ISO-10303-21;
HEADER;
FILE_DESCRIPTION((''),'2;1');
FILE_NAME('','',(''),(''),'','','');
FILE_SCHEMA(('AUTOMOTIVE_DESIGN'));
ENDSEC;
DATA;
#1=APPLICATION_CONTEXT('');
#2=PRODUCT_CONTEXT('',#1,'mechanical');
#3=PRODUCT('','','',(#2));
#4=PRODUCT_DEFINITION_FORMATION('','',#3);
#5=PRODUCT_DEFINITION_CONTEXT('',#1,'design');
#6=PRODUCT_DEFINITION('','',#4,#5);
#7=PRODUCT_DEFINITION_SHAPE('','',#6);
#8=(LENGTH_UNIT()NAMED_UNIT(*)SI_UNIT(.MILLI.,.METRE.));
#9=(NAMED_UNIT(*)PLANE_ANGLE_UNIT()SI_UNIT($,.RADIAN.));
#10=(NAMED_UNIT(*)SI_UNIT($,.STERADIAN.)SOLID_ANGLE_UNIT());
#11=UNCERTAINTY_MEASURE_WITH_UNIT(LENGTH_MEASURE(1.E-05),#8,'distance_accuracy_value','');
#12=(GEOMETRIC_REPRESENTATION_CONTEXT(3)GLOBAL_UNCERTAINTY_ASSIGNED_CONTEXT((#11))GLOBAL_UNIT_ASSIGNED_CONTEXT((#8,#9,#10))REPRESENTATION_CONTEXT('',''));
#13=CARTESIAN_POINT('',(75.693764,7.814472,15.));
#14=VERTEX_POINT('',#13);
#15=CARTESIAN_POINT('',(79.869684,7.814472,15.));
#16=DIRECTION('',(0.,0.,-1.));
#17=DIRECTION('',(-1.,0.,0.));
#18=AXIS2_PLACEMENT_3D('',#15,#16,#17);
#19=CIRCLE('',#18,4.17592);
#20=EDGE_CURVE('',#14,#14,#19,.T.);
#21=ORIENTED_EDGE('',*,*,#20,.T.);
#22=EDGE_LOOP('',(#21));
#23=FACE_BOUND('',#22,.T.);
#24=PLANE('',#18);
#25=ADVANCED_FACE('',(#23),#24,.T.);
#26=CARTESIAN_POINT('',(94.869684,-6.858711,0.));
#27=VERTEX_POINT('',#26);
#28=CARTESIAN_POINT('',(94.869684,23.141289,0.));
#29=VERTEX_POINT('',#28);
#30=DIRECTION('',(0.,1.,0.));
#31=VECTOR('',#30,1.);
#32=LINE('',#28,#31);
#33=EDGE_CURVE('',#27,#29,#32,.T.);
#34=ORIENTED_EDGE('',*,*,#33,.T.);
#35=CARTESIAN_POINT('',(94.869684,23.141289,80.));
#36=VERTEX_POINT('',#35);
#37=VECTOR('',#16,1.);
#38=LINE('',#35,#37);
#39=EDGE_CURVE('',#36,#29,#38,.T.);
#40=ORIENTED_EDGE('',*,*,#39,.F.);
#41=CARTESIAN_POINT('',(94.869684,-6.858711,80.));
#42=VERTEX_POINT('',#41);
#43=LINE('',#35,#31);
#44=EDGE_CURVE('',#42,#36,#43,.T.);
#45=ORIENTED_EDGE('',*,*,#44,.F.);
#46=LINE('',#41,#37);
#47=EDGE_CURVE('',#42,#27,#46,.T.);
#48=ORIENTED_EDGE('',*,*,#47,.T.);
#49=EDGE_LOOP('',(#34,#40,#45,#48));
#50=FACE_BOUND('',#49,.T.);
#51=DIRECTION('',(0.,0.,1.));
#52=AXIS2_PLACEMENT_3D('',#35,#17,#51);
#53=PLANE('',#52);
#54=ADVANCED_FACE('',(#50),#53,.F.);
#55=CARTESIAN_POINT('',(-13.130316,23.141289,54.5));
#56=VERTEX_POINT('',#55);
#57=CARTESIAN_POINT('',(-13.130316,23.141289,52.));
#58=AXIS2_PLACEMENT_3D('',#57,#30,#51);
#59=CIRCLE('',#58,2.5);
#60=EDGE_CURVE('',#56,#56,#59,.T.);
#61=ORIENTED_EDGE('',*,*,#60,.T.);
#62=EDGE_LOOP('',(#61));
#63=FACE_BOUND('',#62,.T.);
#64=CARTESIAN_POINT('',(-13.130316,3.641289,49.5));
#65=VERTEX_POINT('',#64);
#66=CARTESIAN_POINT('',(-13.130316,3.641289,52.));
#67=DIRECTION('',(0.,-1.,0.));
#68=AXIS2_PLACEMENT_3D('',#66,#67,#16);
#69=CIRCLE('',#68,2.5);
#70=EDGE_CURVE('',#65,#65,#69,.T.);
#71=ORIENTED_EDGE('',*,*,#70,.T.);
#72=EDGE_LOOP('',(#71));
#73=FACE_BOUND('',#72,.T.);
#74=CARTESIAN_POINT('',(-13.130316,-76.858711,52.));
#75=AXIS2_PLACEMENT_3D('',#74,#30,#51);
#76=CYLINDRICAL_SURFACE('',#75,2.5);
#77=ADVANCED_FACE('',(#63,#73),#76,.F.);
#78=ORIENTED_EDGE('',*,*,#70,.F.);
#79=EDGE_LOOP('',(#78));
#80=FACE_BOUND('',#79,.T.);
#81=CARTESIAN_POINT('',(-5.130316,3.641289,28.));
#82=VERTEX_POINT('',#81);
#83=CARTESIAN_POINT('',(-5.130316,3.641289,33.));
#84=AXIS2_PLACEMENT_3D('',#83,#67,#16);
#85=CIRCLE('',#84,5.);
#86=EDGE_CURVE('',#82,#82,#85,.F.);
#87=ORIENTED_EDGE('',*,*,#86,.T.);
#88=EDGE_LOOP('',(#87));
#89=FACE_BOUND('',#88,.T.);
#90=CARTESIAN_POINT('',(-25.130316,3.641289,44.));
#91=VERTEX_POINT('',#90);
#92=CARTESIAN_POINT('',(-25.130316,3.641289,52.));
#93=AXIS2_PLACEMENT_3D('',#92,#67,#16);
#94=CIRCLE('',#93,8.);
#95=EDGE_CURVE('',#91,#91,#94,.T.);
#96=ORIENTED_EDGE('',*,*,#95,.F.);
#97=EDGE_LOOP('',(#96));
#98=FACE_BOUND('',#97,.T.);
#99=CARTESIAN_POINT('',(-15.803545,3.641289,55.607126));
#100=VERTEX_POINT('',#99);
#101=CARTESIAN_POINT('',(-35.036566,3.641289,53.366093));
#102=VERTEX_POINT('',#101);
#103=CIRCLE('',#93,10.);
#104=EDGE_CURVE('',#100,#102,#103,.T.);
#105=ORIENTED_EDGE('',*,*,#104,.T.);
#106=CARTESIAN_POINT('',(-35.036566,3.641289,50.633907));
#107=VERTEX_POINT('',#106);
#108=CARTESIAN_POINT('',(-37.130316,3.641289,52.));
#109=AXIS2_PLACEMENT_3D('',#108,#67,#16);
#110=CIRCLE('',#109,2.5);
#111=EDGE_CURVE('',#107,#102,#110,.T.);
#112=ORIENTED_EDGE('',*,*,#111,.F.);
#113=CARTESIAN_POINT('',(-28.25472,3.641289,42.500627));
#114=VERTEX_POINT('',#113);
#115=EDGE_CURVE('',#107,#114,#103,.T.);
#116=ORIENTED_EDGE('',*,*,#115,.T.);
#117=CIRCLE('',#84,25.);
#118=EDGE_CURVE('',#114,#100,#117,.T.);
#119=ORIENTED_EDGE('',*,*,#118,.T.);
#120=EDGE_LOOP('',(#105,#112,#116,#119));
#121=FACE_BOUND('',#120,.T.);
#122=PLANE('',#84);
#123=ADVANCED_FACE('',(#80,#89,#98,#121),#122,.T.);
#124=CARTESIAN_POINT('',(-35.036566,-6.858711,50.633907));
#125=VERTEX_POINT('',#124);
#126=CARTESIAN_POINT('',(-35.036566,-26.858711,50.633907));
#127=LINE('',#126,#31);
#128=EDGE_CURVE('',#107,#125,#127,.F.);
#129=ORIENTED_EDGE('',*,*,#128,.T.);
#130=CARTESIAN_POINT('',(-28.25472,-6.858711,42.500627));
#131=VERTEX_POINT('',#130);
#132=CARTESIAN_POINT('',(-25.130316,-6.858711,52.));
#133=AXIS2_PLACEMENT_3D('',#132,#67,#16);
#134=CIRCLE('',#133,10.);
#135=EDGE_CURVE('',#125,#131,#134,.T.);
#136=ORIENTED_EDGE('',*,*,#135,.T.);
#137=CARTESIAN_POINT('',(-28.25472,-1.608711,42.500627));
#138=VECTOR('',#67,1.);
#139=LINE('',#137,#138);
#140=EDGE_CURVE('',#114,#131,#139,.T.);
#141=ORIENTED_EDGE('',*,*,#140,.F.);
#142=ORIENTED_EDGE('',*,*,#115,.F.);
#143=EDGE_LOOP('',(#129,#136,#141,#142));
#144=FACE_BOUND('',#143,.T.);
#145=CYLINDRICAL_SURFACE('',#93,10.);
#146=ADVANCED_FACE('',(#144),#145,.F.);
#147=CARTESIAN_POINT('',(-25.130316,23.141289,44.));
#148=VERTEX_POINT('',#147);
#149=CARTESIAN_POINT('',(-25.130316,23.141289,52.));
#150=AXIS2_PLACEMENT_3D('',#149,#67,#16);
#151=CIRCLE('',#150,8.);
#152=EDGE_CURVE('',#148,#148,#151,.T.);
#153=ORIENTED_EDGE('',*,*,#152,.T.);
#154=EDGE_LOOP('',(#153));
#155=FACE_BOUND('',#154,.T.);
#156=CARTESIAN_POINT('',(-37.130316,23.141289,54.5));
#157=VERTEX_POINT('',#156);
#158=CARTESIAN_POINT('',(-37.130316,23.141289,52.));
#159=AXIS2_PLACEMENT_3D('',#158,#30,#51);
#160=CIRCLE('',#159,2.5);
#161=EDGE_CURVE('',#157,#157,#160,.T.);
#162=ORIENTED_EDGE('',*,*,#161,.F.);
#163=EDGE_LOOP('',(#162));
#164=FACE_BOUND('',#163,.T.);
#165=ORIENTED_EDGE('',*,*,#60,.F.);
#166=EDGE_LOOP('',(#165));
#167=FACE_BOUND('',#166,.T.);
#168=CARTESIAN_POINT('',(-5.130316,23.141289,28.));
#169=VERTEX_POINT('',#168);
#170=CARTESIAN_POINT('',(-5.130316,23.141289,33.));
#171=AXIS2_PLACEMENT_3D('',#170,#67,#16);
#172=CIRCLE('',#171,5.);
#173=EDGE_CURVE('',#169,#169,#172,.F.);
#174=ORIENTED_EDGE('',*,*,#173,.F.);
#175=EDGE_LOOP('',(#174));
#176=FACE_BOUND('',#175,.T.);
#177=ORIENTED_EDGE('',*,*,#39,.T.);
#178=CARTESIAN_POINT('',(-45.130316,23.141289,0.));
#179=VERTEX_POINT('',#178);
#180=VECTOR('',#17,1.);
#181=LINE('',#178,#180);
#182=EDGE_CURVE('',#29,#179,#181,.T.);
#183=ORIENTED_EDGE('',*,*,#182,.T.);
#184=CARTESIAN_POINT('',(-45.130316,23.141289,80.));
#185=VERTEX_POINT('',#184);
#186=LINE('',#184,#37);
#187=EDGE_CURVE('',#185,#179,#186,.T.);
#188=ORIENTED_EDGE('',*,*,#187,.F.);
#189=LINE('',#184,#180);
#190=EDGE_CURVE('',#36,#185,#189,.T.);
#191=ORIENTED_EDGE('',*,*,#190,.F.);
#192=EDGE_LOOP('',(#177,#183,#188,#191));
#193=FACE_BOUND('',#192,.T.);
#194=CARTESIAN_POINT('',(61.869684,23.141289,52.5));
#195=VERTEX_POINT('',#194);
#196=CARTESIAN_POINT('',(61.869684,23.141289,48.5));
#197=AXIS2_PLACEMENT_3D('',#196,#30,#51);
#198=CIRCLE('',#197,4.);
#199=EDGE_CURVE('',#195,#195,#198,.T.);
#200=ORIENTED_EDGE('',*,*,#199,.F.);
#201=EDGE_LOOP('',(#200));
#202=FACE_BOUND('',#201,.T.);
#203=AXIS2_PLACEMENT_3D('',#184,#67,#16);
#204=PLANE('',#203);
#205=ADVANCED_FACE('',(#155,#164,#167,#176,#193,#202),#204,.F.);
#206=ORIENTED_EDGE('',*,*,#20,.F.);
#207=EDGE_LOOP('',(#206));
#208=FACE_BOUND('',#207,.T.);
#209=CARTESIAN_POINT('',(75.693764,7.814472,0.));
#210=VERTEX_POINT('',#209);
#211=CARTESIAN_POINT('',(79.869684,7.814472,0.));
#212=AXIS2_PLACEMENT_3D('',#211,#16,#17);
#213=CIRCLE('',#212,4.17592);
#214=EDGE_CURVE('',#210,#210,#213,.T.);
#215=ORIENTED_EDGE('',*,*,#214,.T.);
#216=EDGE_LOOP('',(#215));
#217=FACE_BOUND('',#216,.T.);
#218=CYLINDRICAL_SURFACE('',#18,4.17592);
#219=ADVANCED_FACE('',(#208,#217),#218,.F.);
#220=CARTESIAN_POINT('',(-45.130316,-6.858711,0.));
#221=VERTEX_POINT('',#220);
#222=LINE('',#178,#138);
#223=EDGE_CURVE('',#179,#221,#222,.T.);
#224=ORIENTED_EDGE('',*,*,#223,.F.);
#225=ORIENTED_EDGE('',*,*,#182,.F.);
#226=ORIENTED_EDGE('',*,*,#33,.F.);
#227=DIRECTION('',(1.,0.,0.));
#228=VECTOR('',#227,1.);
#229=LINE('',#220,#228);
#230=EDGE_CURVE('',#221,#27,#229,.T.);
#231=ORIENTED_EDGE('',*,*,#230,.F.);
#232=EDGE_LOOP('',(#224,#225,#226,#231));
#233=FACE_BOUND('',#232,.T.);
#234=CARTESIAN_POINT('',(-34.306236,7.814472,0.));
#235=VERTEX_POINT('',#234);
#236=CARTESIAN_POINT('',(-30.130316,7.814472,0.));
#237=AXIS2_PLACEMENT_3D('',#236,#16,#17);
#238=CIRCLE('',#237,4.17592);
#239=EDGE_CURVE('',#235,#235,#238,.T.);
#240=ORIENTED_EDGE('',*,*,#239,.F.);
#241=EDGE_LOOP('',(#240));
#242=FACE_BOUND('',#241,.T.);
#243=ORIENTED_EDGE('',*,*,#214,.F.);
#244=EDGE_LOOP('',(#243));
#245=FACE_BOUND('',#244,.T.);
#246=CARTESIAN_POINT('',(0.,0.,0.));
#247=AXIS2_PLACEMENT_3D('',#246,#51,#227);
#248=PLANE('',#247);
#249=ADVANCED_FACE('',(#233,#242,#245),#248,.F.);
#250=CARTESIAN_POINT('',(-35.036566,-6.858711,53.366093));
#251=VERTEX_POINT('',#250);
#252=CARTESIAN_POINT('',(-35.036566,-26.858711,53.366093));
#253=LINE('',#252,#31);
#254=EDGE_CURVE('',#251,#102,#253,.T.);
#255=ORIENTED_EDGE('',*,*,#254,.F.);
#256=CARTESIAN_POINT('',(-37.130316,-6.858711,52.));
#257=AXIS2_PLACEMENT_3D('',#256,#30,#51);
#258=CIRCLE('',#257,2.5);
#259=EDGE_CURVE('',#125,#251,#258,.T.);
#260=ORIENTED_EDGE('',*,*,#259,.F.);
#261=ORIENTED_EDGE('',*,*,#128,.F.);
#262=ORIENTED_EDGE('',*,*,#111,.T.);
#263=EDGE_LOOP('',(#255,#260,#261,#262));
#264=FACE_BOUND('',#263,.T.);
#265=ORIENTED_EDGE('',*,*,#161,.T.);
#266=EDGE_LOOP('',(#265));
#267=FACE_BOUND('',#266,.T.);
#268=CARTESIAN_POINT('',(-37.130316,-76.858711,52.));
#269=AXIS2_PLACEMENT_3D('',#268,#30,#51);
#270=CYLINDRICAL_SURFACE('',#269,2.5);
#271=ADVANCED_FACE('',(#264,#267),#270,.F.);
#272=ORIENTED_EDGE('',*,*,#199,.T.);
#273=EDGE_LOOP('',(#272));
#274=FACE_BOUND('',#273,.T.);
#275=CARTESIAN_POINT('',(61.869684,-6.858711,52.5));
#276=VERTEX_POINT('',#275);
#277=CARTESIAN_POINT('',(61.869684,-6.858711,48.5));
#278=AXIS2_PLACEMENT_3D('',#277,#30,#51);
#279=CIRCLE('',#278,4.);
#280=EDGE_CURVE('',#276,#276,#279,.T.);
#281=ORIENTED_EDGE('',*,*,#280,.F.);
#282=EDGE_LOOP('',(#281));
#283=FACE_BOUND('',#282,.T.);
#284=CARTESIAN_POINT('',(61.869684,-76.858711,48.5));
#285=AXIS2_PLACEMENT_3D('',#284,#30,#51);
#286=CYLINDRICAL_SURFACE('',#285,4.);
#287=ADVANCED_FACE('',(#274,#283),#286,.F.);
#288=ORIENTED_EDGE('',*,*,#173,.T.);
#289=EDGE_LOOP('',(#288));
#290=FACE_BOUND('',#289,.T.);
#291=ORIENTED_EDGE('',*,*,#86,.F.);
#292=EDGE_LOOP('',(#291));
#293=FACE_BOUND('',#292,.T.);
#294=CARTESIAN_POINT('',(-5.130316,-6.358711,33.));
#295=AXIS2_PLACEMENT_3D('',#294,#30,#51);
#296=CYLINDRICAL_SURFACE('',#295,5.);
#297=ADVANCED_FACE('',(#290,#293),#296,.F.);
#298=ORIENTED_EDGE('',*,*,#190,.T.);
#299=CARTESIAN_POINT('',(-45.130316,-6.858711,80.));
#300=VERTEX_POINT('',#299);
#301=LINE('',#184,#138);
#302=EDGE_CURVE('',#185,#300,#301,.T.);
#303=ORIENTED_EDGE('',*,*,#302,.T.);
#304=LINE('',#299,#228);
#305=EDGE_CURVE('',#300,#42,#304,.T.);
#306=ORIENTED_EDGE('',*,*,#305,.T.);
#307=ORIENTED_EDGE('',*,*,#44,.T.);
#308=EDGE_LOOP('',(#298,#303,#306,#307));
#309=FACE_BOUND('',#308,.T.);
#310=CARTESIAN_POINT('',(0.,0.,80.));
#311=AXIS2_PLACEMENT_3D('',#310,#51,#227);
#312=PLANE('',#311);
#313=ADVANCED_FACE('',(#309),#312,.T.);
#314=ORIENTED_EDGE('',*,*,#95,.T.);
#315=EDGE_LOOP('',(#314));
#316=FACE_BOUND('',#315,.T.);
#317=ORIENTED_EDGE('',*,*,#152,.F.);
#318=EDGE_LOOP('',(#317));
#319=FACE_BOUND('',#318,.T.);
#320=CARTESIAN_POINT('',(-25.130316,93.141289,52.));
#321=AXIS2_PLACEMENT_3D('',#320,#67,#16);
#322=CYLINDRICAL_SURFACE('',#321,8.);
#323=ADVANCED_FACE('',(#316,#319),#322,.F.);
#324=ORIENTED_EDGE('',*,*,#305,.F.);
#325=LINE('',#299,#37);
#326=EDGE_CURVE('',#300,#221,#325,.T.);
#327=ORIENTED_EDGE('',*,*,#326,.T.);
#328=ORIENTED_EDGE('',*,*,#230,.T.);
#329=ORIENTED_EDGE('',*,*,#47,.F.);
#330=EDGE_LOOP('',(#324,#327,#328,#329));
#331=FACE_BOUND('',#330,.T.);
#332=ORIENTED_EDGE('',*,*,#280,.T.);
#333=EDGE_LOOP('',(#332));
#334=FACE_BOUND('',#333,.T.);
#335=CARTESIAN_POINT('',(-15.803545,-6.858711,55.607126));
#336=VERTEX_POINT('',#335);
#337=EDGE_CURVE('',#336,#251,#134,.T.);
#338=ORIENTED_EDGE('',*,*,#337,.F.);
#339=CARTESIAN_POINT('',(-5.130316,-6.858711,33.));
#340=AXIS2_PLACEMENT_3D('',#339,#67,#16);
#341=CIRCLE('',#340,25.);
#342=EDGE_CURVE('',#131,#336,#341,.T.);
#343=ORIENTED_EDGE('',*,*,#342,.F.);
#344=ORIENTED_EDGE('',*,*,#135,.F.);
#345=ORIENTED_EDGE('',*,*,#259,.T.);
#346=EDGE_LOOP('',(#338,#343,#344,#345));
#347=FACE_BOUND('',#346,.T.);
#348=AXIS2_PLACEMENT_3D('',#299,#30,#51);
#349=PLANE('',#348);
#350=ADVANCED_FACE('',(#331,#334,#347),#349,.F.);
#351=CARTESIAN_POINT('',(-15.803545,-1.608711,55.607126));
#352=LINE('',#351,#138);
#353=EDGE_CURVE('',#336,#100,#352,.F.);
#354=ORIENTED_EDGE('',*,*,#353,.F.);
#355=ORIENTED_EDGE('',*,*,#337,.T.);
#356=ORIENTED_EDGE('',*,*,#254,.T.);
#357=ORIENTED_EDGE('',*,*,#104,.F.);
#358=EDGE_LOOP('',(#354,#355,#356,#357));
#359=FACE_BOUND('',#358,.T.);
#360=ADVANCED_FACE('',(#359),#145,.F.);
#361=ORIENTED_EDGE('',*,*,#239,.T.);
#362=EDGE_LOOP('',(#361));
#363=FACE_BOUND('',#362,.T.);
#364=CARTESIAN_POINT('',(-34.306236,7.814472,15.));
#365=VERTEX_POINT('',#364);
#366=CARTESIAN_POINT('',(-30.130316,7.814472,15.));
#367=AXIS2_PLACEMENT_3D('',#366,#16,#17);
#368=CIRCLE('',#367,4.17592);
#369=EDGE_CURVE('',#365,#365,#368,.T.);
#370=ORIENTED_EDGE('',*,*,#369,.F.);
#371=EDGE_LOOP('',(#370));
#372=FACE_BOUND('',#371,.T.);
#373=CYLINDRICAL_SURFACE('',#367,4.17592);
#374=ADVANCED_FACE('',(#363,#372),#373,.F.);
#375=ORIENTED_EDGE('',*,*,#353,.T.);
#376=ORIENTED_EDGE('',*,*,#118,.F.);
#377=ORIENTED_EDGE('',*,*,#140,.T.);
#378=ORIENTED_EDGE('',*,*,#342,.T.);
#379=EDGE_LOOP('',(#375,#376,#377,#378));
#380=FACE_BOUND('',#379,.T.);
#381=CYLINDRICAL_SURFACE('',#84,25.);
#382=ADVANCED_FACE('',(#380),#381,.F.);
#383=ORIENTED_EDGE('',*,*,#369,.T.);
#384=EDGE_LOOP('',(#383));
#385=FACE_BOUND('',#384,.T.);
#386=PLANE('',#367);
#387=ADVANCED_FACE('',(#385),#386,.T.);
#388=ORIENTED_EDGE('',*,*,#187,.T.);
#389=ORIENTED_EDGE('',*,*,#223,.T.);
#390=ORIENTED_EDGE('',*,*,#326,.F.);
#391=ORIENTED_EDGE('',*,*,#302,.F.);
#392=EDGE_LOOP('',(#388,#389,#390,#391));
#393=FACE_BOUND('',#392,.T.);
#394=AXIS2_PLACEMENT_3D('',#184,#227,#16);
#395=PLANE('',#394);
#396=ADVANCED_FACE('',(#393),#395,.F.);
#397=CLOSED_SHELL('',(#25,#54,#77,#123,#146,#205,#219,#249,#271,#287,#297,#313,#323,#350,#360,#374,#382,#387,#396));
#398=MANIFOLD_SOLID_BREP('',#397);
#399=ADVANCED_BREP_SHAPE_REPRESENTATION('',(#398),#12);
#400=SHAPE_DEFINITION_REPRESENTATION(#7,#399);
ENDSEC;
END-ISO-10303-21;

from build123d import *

# Parameters (mm, degrees)
SKETCH1_W                = 140
SKETCH1_H                = 30
BOSS_EXTRUDE1_DEPTH      = 80
SKETCH2_R                = 4.17592015
CUT_EXTRUDE1_DEPTH       = 15
LPATTERN1_COUNT          = 4
LPATTERN1_PITCH          = 110
SKETCH_1_R               = 25
CUT_EXTRUDE_1_DEPTH      = 10.5
SKETCH_2_R               = 5
CUT_EXTRUDE_2_DEPTH      = 10
CUT_EXTRUDE_2_DEPTH_BACK = 100
SKETCH_3_R               = 8
CUT_EXTRUDE_3_DEPTH      = 100
SKETCH_4_R               = 10
CUT_EXTRUDE_4_DEPTH      = 10.5
SKETCH_5_R               = 2.5
CUT_EXTRUDE_5_DEPTH      = 100
PATTERN_LINEAR_1_COUNT   = 2
PATTERN_LINEAR_1_PITCH   = 24
SKETCH_6_R               = 4
CUT_EXTRUDE_6_DEPTH      = 100


with BuildPart() as part:
    # Sketch1 → Boss-Extrude1 (new body)
    with BuildSketch(Plane.XY):
        with Locations((24.869684499, 8.141289438)):
            Rectangle(SKETCH1_W, SKETCH1_H)
    extrude(amount=BOSS_EXTRUDE1_DEPTH)

    # Sketch2 → Cut-Extrude1 (cut)
    with BuildSketch(Plane(origin=(0, 0, 0), x_dir=(-1, 0, 0), z_dir=(0, 0, -1))):
        with Locations((30.130315501, 7.814471991)):
            Circle(SKETCH2_R)
    cut_extrude1 = extrude(amount=-CUT_EXTRUDE1_DEPTH, mode=Mode.SUBTRACT)

    # LPattern1: Cut-Extrude1 ×4
    with Locations(*[(i * LPATTERN1_PITCH, 0, 0) for i in range(1, LPATTERN1_COUNT)]):
        add(cut_extrude1, mode=Mode.SUBTRACT)

    # Эскиз1 → Вырез-Вытянуть1 (cut)
    with BuildSketch(Plane.XZ.offset(6.858710562)):
        with Locations((-5.130315501, 33)):
            Circle(SKETCH_1_R)
    extrude(amount=-CUT_EXTRUDE_1_DEPTH, mode=Mode.SUBTRACT)

    # Эскиз2 → Вырез-Вытянуть2 (cut, two sides)
    with BuildSketch(Plane.XZ.offset(-3.641289438)) as cut_extrude_2_sk:
        with Locations((-5.130315501, 33)):
            Circle(SKETCH_2_R)
    extrude(amount=CUT_EXTRUDE_2_DEPTH, mode=Mode.SUBTRACT)
    extrude(cut_extrude_2_sk.sketch, amount=-CUT_EXTRUDE_2_DEPTH_BACK, mode=Mode.SUBTRACT)

    # Эскиз3 → Вырез-Вытянуть3 (cut)
    with BuildSketch(Plane.XZ.offset(6.858710562)):
        with Locations((-25.130315501, 52)):
            Circle(SKETCH_3_R)
    extrude(amount=-CUT_EXTRUDE_3_DEPTH, mode=Mode.SUBTRACT)

    # Эскиз4 → Вырез-Вытянуть4 (cut)
    with BuildSketch(Plane.XZ.offset(6.858710562)):
        with Locations((-25.130315501, 52)):
            Circle(SKETCH_4_R)
    extrude(amount=-CUT_EXTRUDE_4_DEPTH, mode=Mode.SUBTRACT)

    # Эскиз5 → Вырез-Вытянуть5 (cut)
    with BuildSketch(Plane(origin=(0, 23.141289438, 0), x_dir=(1, 0, 0), z_dir=(0, 1, 0))):
        with Locations((-37.130315501, -52)):
            Circle(SKETCH_5_R)
    cut_extrude_5 = extrude(amount=-CUT_EXTRUDE_5_DEPTH, mode=Mode.SUBTRACT)

    # Линейный массив1: Вырез-Вытянуть5 ×2
    with Locations(*[(i * PATTERN_LINEAR_1_PITCH, 0, 0) for i in range(1, PATTERN_LINEAR_1_COUNT)]):
        add(cut_extrude_5, mode=Mode.SUBTRACT)

    # Эскиз6 → Вырез-Вытянуть6 (cut)
    with BuildSketch(Plane(origin=(0, 23.141289438, 0), x_dir=(1, 0, 0), z_dir=(0, 1, 0))):
        with Locations((61.869684499, -48.5)):
            Circle(SKETCH_6_R)
    extrude(amount=-CUT_EXTRUDE_6_DEPTH, mode=Mode.SUBTRACT)


solid = part.part
